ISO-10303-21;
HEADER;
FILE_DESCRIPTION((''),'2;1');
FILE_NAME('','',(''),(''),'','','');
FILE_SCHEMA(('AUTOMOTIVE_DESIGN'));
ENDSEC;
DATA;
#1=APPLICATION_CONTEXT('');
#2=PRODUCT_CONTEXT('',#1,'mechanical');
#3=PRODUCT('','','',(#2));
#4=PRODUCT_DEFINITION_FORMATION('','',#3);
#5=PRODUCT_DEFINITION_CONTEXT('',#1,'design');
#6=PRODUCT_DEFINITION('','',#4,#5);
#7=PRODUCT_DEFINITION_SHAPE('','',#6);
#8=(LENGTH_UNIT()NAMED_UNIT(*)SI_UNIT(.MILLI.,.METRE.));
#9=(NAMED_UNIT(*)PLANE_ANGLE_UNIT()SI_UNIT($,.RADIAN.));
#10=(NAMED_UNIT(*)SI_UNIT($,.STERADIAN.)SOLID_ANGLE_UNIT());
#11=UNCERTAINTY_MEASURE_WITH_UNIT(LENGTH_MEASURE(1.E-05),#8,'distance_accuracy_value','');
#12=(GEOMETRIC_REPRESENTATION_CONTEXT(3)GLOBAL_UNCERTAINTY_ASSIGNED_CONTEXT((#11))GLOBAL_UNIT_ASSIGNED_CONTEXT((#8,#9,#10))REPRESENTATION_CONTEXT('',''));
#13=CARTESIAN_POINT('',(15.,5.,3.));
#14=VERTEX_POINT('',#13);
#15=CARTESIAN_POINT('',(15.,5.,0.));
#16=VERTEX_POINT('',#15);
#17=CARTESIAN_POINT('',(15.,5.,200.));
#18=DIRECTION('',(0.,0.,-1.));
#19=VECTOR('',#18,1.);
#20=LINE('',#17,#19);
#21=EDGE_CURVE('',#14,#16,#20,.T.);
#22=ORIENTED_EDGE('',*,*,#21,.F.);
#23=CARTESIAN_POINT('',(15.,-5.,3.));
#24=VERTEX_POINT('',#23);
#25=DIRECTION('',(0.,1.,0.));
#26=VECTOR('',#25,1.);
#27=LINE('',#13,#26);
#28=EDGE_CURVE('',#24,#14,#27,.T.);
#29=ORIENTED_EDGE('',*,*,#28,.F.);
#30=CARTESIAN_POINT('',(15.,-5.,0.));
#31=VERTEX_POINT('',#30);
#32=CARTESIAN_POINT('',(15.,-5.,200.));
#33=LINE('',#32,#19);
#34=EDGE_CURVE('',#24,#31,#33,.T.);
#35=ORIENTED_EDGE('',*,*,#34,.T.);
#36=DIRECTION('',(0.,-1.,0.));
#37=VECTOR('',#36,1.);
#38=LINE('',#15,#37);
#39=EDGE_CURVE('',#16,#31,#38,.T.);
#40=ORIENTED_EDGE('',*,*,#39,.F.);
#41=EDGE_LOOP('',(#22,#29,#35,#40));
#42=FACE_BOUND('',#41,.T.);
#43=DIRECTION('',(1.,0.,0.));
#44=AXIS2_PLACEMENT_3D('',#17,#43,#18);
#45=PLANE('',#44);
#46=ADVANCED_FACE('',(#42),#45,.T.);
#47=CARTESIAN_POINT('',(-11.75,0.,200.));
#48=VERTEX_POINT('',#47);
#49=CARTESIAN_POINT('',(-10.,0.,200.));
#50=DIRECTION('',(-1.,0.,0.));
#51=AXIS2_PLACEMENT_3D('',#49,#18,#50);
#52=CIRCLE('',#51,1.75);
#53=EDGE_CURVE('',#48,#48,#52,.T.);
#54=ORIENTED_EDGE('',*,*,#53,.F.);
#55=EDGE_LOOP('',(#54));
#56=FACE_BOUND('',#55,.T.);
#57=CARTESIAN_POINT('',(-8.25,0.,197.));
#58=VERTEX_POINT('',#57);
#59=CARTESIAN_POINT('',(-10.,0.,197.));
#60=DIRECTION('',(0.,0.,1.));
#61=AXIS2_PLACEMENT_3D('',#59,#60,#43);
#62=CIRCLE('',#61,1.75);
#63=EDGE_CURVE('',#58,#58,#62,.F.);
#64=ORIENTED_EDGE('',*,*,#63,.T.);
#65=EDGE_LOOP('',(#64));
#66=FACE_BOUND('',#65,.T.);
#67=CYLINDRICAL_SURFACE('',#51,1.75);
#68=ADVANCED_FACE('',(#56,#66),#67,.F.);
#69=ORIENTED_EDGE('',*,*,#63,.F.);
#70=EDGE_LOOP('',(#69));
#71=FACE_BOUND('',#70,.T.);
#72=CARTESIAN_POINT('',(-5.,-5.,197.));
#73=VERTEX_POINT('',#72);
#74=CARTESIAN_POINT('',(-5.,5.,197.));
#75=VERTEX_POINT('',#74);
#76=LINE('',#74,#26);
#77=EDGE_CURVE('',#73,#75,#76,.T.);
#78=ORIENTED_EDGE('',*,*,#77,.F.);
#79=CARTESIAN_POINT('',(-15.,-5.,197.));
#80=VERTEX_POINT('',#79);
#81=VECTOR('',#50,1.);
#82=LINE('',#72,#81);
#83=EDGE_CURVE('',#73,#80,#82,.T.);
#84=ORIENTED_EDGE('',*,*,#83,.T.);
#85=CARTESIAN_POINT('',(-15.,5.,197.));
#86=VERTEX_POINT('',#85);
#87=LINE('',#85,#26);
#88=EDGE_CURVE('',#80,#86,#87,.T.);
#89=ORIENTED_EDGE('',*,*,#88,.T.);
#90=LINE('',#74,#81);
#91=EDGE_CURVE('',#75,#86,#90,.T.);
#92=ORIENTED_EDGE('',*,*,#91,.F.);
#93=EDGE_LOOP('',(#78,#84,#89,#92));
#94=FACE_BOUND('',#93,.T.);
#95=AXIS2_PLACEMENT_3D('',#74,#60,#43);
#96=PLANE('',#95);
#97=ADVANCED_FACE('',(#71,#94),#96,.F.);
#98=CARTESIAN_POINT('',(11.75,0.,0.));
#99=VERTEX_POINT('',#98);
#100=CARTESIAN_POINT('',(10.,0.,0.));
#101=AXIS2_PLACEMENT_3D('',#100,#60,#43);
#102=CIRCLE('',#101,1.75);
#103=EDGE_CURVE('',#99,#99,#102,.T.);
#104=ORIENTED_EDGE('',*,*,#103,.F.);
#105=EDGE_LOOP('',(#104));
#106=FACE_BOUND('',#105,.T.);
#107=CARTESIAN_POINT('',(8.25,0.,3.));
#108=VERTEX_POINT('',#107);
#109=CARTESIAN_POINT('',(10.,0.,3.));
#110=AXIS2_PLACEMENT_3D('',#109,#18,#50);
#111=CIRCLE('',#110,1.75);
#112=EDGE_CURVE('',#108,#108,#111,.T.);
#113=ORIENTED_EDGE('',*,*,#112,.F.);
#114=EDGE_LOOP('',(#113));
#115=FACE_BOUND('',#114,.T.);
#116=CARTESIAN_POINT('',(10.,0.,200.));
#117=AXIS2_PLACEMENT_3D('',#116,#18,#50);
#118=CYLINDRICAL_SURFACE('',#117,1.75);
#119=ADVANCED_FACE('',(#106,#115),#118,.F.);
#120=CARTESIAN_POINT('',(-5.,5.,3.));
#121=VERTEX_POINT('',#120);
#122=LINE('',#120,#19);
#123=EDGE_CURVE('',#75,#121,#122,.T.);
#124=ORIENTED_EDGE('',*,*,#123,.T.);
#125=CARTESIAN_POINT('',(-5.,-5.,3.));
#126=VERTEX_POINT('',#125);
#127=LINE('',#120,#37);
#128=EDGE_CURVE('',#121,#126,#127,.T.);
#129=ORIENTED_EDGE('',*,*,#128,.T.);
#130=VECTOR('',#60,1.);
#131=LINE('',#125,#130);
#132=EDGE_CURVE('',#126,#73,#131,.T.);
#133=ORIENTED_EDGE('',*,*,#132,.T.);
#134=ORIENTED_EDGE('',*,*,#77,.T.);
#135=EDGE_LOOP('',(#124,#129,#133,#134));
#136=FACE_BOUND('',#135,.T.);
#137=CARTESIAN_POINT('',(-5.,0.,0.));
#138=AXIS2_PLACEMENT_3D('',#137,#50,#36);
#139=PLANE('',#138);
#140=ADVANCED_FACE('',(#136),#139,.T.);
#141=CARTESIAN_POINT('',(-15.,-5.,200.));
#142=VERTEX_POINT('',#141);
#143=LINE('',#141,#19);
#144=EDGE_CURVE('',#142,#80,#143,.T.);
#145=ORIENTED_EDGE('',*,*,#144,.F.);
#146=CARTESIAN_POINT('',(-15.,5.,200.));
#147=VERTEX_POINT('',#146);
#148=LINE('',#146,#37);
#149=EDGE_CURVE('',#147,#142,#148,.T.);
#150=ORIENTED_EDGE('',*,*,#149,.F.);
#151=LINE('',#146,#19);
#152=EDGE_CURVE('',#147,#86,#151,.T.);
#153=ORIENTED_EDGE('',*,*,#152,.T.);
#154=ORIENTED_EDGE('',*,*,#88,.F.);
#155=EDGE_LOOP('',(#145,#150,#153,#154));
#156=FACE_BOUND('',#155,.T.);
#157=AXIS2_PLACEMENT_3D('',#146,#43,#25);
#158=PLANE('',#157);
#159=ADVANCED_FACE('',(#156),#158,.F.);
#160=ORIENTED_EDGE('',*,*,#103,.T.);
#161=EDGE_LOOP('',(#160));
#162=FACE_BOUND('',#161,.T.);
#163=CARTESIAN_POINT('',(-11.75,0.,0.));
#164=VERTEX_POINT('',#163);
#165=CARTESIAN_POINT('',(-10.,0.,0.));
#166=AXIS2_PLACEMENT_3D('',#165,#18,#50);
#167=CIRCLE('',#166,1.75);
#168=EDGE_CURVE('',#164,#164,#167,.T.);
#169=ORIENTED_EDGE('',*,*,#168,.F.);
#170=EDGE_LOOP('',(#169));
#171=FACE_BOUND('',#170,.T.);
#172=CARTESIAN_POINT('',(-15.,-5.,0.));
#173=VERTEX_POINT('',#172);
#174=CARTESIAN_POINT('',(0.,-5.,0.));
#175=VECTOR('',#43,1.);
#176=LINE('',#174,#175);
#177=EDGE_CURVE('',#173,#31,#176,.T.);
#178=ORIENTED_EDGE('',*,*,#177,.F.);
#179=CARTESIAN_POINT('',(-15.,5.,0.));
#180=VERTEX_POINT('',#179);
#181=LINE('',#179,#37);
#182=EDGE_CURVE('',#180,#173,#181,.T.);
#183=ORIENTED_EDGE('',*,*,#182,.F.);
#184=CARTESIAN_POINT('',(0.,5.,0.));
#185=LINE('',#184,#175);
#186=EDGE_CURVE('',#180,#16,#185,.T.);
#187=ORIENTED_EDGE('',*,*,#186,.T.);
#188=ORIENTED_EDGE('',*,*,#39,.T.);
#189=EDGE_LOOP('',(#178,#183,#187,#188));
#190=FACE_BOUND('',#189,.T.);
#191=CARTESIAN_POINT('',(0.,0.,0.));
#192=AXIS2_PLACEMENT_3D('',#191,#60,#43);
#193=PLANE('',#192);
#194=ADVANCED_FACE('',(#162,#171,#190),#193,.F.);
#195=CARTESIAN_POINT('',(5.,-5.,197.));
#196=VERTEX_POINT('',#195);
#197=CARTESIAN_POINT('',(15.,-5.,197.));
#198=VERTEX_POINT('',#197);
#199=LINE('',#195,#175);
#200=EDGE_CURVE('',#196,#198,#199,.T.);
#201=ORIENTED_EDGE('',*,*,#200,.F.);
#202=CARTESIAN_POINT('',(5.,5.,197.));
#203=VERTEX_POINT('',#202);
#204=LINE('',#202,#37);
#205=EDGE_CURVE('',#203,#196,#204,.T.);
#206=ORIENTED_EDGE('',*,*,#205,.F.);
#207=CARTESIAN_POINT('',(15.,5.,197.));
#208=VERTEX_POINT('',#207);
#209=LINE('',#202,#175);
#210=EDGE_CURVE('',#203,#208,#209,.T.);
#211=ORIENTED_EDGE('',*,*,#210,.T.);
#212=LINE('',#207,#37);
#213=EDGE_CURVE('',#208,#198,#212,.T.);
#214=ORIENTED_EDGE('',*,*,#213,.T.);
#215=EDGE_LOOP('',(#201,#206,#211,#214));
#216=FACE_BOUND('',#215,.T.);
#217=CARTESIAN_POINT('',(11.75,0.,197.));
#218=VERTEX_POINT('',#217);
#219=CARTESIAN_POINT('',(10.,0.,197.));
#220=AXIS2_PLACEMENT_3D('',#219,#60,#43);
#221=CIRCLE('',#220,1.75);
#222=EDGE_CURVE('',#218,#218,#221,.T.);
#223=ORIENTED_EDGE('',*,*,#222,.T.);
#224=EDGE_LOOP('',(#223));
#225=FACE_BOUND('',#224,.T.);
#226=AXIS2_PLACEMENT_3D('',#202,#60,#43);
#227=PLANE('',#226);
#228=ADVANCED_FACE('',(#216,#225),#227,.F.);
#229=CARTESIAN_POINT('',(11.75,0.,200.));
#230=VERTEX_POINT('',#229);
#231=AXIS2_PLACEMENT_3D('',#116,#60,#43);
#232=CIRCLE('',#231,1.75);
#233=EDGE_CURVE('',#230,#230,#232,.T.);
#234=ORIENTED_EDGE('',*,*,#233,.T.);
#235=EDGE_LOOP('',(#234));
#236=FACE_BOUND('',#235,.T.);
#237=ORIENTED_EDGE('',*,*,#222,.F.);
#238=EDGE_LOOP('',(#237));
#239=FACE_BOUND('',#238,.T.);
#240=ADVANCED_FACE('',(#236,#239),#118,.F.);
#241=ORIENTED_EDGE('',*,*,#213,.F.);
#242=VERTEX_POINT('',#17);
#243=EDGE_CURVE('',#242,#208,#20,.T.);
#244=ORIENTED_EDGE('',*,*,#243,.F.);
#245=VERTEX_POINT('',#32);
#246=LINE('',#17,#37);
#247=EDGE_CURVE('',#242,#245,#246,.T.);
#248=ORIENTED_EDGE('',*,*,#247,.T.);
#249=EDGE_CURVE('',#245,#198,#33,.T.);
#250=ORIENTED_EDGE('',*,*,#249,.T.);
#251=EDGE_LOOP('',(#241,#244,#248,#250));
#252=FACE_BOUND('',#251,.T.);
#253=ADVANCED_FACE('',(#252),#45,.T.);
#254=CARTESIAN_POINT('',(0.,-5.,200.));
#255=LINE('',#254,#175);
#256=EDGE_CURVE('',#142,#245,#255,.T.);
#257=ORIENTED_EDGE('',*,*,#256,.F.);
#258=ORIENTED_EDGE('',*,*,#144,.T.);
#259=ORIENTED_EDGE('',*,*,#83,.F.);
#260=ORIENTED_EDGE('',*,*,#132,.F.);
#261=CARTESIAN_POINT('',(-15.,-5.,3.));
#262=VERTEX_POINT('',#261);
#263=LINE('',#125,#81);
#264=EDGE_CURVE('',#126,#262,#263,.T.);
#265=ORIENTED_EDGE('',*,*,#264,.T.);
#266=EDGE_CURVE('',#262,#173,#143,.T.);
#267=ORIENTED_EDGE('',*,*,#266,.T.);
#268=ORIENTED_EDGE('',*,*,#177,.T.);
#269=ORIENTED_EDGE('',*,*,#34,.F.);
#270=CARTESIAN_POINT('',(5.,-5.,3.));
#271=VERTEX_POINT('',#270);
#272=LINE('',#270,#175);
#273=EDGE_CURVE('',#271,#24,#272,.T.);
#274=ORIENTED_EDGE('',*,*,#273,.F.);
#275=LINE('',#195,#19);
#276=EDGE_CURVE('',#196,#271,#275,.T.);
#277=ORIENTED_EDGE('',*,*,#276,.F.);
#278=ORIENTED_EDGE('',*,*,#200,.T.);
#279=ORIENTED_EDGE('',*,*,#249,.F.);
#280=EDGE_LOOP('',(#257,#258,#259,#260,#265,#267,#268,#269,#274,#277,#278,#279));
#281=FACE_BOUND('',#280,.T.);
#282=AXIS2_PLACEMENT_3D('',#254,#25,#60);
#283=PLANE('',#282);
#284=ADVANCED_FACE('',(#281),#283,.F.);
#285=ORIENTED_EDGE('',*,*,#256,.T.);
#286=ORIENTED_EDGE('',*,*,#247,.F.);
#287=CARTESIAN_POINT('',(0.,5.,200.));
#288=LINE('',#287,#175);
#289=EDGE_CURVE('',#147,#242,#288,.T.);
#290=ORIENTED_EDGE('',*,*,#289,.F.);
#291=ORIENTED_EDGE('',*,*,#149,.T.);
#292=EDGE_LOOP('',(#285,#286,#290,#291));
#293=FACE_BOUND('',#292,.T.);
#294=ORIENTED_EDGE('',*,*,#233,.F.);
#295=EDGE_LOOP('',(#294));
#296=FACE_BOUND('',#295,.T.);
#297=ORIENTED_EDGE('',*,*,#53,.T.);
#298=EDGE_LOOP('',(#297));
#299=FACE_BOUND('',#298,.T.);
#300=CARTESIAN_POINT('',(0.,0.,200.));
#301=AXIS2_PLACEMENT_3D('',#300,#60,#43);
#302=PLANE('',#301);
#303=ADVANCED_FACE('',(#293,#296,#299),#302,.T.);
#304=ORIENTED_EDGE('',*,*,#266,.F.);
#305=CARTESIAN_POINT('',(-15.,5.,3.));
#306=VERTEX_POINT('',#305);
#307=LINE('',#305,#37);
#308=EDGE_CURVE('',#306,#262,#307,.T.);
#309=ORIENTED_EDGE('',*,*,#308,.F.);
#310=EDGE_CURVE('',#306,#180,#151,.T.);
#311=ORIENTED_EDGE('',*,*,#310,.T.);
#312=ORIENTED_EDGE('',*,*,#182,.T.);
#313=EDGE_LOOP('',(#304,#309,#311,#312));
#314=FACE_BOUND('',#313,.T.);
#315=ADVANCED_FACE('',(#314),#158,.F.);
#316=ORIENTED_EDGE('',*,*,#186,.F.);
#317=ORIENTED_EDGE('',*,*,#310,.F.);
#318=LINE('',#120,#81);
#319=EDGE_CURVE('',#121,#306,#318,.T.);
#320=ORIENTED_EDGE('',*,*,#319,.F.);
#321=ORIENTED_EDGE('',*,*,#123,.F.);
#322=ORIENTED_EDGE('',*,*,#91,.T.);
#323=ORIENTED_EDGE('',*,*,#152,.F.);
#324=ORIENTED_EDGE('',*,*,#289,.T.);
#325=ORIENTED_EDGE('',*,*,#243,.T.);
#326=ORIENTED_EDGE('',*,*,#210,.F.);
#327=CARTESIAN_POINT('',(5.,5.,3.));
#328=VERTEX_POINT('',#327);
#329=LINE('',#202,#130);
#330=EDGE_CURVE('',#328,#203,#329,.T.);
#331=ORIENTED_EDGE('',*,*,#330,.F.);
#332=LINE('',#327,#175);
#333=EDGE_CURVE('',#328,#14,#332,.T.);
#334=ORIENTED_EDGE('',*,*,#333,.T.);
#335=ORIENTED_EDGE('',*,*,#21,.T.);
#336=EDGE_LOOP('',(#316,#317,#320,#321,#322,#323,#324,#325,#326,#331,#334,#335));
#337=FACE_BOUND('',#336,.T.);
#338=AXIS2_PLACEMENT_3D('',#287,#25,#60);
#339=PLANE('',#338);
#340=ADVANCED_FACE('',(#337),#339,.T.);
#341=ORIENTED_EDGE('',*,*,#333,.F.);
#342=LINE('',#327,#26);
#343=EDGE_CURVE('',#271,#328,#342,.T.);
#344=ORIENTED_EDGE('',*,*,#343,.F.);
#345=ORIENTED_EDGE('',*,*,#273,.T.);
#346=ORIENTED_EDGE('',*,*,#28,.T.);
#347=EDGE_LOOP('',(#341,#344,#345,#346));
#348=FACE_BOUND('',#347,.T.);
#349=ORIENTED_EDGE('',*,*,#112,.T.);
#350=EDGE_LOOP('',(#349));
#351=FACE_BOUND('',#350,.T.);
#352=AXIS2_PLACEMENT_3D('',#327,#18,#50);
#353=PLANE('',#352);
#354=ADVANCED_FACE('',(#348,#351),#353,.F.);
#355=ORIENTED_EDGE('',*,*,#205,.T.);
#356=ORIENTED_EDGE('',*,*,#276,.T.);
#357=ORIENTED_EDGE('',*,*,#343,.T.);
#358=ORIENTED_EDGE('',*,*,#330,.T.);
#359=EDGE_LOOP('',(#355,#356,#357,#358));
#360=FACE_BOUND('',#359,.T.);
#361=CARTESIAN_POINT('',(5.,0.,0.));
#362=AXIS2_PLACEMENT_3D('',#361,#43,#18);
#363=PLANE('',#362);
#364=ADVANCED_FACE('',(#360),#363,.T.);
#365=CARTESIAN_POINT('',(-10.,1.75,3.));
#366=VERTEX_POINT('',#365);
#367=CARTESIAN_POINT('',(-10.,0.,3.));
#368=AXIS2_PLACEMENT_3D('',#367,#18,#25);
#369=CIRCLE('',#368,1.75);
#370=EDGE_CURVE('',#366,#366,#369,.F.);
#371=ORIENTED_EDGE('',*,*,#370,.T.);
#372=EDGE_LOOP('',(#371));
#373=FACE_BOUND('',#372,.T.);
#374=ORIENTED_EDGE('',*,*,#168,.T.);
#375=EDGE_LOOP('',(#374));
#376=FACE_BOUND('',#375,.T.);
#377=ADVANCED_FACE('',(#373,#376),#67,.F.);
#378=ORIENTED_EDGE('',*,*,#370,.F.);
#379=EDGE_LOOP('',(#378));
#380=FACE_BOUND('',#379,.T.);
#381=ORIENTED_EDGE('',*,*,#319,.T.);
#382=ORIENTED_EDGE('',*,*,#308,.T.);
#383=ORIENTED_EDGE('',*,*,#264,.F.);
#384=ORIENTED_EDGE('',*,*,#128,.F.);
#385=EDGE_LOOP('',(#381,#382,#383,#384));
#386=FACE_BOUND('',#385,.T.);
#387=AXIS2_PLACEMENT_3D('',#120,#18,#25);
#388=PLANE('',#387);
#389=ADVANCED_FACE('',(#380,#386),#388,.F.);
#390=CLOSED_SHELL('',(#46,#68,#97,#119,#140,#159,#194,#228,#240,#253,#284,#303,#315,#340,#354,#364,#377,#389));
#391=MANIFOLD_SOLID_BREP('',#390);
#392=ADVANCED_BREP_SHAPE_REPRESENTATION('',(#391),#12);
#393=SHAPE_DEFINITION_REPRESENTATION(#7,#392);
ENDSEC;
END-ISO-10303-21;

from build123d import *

# Parameters (mm, degrees)
SKETCH_1_W          = 10
SKETCH_1_H          = 10
SKETCH_1_R          = 1.75
EXTRUDE_1_DEPTH     = 200
SKETCH_2_W          = 194
SKETCH_2_H          = 10
CUT_EXTRUDE_1_DEPTH = 10
SKETCH_3_W          = 194
SKETCH_3_H          = 10
CUT_EXTRUDE_2_DEPTH = 10


with BuildPart() as part:
    # 草图1 → 凸台-拉伸1 (new body)
    # profile 1 of 3: a face of its own
    with BuildSketch(Plane.XY):
        Rectangle(SKETCH_1_W, SKETCH_1_H)
    # profile 2 of 3: a face of its own
    with BuildSketch(Plane.XY):
        with Locations((-10, 0)):
            Rectangle(SKETCH_1_W, SKETCH_1_H)
        with Locations(Location((-10, 0, 0), (0, 0, 180))):
            Circle(SKETCH_1_R, mode=Mode.SUBTRACT)
    # profile 3 of 3: a face of its own
    with BuildSketch(Plane.XY):
        with Locations((10, 0)):
            Rectangle(SKETCH_1_W, SKETCH_1_H)
        with Locations((10, 0)):
            Circle(SKETCH_1_R, mode=Mode.SUBTRACT)
    extrude(amount=EXTRUDE_1_DEPTH)

    # 草图2 → 切除-拉伸1 (cut)
    with BuildSketch(Plane(origin=(15, 0, 0), x_dir=(0, 0, -1), z_dir=(1, 0, 0))):
        with Locations((-100, 0)):
            Rectangle(SKETCH_2_W, SKETCH_2_H)
    extrude(amount=-CUT_EXTRUDE_1_DEPTH, mode=Mode.SUBTRACT)

    # 草图3 → 切除-拉伸2 (cut)
    with BuildSketch(Plane.ZY.offset(15)):
        with Locations((100, 0)):
            Rectangle(SKETCH_3_W, SKETCH_3_H)
    extrude(amount=-CUT_EXTRUDE_2_DEPTH, mode=Mode.SUBTRACT)


solid = part.part
